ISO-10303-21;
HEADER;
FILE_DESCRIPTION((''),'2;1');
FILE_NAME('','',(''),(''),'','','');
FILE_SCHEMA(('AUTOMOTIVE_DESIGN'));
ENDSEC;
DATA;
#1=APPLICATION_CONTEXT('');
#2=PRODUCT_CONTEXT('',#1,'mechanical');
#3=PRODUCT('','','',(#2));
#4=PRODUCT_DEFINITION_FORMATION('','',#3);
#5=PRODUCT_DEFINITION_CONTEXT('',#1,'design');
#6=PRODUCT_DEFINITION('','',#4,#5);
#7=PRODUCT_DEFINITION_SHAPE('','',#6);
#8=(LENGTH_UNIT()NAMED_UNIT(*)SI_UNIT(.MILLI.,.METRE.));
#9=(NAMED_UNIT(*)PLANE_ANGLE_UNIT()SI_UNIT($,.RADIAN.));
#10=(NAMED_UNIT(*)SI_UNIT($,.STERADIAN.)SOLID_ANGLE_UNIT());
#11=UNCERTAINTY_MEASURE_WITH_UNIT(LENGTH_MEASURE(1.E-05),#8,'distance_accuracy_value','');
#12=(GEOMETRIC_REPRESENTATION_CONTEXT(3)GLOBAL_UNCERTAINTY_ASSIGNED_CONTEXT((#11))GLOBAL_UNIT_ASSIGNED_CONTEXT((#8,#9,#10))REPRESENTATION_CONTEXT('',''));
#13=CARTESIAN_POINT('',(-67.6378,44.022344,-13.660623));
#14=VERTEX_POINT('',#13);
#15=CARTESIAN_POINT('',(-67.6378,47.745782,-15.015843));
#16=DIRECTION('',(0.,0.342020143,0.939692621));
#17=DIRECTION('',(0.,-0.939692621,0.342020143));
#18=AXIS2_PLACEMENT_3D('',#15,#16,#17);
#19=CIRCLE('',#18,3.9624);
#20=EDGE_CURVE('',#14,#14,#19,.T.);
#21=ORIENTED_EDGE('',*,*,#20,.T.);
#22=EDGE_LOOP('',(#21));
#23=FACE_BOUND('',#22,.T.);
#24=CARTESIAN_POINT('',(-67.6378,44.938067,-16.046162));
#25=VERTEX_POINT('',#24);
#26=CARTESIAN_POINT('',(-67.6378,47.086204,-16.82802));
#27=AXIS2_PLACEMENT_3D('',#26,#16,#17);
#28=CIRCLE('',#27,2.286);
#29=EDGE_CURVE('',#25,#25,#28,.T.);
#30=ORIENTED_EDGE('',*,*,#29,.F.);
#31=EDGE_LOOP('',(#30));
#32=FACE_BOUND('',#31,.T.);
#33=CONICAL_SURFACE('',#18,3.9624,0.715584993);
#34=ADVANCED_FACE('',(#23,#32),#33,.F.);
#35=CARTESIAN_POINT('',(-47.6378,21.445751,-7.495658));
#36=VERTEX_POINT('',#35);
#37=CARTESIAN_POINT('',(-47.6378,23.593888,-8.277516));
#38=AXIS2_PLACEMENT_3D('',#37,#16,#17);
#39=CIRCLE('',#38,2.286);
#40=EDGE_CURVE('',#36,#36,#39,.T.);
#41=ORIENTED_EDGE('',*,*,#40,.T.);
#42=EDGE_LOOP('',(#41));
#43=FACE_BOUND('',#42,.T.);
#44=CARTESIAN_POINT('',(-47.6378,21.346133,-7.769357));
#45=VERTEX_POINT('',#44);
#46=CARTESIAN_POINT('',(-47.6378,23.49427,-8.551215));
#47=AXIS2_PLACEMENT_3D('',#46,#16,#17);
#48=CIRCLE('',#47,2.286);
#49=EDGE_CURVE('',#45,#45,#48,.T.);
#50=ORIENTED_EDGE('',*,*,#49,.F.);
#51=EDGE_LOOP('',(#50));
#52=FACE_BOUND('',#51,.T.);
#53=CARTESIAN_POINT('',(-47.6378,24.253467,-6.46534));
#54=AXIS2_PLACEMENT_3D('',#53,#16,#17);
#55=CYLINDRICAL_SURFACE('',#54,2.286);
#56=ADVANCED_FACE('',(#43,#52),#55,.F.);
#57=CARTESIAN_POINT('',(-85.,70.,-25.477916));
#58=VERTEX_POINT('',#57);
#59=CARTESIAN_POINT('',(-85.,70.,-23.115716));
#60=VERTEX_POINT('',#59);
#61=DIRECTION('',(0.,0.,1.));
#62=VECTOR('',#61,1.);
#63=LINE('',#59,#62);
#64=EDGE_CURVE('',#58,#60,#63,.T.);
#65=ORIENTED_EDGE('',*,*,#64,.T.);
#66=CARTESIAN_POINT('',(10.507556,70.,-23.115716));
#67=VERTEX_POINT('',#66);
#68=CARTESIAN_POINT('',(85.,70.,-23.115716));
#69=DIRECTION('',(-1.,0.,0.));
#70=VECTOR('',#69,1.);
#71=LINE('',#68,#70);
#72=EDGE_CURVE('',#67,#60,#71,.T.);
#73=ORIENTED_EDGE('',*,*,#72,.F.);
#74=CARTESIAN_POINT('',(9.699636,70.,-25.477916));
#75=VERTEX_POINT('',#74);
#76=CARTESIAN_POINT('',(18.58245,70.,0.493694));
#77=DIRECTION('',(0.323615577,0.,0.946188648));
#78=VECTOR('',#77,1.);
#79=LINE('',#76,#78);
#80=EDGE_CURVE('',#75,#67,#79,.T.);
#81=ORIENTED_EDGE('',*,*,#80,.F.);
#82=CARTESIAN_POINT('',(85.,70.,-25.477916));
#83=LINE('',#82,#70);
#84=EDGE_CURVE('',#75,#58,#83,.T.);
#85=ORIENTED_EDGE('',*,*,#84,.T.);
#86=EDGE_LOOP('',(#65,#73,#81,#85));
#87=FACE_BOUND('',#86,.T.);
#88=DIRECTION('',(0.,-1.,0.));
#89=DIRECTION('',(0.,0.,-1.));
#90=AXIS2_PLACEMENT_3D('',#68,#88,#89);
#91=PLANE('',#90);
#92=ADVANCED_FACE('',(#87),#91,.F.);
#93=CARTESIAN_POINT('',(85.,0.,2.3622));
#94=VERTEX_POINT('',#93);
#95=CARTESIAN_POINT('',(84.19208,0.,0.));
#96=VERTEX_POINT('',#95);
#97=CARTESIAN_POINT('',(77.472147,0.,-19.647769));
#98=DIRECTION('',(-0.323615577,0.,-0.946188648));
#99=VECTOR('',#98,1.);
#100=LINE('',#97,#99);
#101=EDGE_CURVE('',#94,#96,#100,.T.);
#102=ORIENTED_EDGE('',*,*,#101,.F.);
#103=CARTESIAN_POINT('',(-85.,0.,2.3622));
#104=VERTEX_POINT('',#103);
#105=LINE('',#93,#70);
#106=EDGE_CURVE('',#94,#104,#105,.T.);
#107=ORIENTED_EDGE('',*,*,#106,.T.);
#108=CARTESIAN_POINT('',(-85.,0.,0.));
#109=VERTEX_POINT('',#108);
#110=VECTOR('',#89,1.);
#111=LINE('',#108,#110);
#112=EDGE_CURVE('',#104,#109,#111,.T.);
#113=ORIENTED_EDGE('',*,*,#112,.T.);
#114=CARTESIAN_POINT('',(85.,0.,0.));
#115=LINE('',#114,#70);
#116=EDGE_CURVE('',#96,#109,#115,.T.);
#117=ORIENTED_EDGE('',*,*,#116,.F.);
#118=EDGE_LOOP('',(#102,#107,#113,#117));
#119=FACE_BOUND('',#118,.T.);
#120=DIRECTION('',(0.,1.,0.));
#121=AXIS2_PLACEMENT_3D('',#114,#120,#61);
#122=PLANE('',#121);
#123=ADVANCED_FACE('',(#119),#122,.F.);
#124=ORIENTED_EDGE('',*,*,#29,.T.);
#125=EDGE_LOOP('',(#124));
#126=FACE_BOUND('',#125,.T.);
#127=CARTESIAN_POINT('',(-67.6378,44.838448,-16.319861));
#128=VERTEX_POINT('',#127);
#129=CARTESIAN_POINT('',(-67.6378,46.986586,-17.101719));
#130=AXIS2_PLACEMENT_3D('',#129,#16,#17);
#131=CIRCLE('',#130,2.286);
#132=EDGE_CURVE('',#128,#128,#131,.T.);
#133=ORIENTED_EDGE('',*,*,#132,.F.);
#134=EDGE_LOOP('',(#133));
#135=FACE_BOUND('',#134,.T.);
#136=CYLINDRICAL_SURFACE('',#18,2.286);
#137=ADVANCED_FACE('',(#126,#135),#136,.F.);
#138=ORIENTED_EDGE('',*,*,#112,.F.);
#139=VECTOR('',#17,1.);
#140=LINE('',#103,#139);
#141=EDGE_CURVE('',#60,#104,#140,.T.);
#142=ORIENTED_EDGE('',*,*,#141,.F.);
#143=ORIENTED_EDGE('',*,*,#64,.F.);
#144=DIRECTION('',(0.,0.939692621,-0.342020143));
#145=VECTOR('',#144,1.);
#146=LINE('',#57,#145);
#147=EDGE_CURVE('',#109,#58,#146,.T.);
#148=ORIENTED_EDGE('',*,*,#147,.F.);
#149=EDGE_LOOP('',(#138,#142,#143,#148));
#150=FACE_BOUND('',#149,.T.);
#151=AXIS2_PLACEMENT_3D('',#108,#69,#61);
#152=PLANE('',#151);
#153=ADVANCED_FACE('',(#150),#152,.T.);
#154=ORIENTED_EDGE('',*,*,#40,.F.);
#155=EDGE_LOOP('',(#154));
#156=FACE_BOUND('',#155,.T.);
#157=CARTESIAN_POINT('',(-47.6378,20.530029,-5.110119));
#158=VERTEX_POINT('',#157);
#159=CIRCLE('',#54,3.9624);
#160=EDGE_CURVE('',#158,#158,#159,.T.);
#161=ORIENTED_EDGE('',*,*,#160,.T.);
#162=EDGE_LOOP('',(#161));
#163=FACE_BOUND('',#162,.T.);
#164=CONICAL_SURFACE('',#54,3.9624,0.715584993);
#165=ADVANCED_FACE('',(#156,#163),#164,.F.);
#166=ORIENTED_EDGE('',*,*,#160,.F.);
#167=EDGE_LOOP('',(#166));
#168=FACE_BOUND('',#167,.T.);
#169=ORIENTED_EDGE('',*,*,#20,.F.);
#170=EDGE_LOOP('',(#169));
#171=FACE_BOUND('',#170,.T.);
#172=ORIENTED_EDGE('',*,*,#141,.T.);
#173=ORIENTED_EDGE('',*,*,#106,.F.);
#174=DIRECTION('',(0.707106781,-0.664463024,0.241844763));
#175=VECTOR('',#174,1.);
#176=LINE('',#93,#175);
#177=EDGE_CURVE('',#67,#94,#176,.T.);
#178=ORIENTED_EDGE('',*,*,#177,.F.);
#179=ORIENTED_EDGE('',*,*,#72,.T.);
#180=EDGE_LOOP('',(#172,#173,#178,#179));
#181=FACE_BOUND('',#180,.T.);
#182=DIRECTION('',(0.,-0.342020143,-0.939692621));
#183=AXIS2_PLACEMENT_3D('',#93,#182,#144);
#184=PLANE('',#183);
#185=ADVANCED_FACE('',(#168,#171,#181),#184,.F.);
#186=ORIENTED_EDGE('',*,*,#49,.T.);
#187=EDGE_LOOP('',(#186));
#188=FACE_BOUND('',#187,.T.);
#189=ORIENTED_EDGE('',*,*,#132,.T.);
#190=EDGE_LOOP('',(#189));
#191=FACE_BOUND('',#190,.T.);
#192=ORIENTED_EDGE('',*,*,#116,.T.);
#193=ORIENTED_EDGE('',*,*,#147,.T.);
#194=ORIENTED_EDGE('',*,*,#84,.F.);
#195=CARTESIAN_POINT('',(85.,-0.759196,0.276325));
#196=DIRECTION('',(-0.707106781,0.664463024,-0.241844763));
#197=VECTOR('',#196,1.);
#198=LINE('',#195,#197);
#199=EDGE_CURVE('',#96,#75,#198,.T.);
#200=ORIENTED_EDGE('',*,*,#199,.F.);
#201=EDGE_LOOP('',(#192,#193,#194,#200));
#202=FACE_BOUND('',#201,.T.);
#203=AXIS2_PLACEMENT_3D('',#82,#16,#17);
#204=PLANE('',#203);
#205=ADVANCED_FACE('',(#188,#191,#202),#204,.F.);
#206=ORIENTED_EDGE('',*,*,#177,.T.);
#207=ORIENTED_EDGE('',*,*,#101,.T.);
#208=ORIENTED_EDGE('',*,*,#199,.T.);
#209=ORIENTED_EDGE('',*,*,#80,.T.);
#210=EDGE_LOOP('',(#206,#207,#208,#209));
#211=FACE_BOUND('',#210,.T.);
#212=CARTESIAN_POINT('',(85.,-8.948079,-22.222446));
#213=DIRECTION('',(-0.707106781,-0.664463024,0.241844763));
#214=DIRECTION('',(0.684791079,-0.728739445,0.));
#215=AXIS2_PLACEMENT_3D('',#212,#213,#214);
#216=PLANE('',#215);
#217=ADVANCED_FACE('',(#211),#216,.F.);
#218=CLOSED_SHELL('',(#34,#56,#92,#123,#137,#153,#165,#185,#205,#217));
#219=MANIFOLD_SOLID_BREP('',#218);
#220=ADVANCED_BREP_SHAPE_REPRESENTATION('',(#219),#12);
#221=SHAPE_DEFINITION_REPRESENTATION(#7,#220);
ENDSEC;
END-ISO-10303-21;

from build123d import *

# Parameters (mm, degrees)
MAIN_DEPTH                   = 85
BACKBRACKETHOLES_D           = 4.572
BACKBRACKETHOLES_DEPTH       = 5
BACKBRACKETHOLES_CSINK_D     = 7.9248
BACKBRACKETHOLES_CSINK_ANGLE = 82
FRONT_CUT_REACH              = 115.044


with BuildPart() as part:
    # Sketch1 → Main (new, symmetric)
    with BuildSketch(Plane(origin=(0, 0, 0), x_dir=(0, 0, -1), z_dir=(1, 0, 0))):
        Polygon((0, 0), (-2.3622, 0), (23.115716399, 70), (25.477916399, 70), align=None)
    extrude(amount=MAIN_DEPTH, both=True)

    # BackBracketHoles
    with Locations(Plane(origin=(0, 0.759196446, 2.085875092), x_dir=(1, 0, 0), z_dir=(0, 0.3420201433256726, 0.9396926207859071))):
        with Locations((-67.6378, 50.002080017), (-47.6378, 25.002080017)):
            CounterSinkHole(BACKBRACKETHOLES_D / 2, BACKBRACKETHOLES_CSINK_D / 2, depth=BACKBRACKETHOLES_DEPTH, counter_sink_angle=BACKBRACKETHOLES_CSINK_ANGLE)

    # Sketch4 → Front Cut (cut, up to next)
    with BuildSketch(Plane(origin=(0, 0.759196446, 2.085875092), x_dir=(1, 0, 0), z_dir=(0, 0.3420201433256726, 0.9396926207859071)), mode=Mode.PRIVATE) as front_cut_sk1:
        Polygon((85, -0.807919983), (9.699635944, 74.492444073), (85, 74.492444073), align=None)
    front_cut_tool1 = extrude(front_cut_sk1.sketch, amount=-FRONT_CUT_REACH, mode=Mode.PRIVATE) & part.part
    add(front_cut_tool1.solids().sort_by_distance((59.899879, 47.172798, -14.807294))[0], mode=Mode.SUBTRACT)


solid = part.part
